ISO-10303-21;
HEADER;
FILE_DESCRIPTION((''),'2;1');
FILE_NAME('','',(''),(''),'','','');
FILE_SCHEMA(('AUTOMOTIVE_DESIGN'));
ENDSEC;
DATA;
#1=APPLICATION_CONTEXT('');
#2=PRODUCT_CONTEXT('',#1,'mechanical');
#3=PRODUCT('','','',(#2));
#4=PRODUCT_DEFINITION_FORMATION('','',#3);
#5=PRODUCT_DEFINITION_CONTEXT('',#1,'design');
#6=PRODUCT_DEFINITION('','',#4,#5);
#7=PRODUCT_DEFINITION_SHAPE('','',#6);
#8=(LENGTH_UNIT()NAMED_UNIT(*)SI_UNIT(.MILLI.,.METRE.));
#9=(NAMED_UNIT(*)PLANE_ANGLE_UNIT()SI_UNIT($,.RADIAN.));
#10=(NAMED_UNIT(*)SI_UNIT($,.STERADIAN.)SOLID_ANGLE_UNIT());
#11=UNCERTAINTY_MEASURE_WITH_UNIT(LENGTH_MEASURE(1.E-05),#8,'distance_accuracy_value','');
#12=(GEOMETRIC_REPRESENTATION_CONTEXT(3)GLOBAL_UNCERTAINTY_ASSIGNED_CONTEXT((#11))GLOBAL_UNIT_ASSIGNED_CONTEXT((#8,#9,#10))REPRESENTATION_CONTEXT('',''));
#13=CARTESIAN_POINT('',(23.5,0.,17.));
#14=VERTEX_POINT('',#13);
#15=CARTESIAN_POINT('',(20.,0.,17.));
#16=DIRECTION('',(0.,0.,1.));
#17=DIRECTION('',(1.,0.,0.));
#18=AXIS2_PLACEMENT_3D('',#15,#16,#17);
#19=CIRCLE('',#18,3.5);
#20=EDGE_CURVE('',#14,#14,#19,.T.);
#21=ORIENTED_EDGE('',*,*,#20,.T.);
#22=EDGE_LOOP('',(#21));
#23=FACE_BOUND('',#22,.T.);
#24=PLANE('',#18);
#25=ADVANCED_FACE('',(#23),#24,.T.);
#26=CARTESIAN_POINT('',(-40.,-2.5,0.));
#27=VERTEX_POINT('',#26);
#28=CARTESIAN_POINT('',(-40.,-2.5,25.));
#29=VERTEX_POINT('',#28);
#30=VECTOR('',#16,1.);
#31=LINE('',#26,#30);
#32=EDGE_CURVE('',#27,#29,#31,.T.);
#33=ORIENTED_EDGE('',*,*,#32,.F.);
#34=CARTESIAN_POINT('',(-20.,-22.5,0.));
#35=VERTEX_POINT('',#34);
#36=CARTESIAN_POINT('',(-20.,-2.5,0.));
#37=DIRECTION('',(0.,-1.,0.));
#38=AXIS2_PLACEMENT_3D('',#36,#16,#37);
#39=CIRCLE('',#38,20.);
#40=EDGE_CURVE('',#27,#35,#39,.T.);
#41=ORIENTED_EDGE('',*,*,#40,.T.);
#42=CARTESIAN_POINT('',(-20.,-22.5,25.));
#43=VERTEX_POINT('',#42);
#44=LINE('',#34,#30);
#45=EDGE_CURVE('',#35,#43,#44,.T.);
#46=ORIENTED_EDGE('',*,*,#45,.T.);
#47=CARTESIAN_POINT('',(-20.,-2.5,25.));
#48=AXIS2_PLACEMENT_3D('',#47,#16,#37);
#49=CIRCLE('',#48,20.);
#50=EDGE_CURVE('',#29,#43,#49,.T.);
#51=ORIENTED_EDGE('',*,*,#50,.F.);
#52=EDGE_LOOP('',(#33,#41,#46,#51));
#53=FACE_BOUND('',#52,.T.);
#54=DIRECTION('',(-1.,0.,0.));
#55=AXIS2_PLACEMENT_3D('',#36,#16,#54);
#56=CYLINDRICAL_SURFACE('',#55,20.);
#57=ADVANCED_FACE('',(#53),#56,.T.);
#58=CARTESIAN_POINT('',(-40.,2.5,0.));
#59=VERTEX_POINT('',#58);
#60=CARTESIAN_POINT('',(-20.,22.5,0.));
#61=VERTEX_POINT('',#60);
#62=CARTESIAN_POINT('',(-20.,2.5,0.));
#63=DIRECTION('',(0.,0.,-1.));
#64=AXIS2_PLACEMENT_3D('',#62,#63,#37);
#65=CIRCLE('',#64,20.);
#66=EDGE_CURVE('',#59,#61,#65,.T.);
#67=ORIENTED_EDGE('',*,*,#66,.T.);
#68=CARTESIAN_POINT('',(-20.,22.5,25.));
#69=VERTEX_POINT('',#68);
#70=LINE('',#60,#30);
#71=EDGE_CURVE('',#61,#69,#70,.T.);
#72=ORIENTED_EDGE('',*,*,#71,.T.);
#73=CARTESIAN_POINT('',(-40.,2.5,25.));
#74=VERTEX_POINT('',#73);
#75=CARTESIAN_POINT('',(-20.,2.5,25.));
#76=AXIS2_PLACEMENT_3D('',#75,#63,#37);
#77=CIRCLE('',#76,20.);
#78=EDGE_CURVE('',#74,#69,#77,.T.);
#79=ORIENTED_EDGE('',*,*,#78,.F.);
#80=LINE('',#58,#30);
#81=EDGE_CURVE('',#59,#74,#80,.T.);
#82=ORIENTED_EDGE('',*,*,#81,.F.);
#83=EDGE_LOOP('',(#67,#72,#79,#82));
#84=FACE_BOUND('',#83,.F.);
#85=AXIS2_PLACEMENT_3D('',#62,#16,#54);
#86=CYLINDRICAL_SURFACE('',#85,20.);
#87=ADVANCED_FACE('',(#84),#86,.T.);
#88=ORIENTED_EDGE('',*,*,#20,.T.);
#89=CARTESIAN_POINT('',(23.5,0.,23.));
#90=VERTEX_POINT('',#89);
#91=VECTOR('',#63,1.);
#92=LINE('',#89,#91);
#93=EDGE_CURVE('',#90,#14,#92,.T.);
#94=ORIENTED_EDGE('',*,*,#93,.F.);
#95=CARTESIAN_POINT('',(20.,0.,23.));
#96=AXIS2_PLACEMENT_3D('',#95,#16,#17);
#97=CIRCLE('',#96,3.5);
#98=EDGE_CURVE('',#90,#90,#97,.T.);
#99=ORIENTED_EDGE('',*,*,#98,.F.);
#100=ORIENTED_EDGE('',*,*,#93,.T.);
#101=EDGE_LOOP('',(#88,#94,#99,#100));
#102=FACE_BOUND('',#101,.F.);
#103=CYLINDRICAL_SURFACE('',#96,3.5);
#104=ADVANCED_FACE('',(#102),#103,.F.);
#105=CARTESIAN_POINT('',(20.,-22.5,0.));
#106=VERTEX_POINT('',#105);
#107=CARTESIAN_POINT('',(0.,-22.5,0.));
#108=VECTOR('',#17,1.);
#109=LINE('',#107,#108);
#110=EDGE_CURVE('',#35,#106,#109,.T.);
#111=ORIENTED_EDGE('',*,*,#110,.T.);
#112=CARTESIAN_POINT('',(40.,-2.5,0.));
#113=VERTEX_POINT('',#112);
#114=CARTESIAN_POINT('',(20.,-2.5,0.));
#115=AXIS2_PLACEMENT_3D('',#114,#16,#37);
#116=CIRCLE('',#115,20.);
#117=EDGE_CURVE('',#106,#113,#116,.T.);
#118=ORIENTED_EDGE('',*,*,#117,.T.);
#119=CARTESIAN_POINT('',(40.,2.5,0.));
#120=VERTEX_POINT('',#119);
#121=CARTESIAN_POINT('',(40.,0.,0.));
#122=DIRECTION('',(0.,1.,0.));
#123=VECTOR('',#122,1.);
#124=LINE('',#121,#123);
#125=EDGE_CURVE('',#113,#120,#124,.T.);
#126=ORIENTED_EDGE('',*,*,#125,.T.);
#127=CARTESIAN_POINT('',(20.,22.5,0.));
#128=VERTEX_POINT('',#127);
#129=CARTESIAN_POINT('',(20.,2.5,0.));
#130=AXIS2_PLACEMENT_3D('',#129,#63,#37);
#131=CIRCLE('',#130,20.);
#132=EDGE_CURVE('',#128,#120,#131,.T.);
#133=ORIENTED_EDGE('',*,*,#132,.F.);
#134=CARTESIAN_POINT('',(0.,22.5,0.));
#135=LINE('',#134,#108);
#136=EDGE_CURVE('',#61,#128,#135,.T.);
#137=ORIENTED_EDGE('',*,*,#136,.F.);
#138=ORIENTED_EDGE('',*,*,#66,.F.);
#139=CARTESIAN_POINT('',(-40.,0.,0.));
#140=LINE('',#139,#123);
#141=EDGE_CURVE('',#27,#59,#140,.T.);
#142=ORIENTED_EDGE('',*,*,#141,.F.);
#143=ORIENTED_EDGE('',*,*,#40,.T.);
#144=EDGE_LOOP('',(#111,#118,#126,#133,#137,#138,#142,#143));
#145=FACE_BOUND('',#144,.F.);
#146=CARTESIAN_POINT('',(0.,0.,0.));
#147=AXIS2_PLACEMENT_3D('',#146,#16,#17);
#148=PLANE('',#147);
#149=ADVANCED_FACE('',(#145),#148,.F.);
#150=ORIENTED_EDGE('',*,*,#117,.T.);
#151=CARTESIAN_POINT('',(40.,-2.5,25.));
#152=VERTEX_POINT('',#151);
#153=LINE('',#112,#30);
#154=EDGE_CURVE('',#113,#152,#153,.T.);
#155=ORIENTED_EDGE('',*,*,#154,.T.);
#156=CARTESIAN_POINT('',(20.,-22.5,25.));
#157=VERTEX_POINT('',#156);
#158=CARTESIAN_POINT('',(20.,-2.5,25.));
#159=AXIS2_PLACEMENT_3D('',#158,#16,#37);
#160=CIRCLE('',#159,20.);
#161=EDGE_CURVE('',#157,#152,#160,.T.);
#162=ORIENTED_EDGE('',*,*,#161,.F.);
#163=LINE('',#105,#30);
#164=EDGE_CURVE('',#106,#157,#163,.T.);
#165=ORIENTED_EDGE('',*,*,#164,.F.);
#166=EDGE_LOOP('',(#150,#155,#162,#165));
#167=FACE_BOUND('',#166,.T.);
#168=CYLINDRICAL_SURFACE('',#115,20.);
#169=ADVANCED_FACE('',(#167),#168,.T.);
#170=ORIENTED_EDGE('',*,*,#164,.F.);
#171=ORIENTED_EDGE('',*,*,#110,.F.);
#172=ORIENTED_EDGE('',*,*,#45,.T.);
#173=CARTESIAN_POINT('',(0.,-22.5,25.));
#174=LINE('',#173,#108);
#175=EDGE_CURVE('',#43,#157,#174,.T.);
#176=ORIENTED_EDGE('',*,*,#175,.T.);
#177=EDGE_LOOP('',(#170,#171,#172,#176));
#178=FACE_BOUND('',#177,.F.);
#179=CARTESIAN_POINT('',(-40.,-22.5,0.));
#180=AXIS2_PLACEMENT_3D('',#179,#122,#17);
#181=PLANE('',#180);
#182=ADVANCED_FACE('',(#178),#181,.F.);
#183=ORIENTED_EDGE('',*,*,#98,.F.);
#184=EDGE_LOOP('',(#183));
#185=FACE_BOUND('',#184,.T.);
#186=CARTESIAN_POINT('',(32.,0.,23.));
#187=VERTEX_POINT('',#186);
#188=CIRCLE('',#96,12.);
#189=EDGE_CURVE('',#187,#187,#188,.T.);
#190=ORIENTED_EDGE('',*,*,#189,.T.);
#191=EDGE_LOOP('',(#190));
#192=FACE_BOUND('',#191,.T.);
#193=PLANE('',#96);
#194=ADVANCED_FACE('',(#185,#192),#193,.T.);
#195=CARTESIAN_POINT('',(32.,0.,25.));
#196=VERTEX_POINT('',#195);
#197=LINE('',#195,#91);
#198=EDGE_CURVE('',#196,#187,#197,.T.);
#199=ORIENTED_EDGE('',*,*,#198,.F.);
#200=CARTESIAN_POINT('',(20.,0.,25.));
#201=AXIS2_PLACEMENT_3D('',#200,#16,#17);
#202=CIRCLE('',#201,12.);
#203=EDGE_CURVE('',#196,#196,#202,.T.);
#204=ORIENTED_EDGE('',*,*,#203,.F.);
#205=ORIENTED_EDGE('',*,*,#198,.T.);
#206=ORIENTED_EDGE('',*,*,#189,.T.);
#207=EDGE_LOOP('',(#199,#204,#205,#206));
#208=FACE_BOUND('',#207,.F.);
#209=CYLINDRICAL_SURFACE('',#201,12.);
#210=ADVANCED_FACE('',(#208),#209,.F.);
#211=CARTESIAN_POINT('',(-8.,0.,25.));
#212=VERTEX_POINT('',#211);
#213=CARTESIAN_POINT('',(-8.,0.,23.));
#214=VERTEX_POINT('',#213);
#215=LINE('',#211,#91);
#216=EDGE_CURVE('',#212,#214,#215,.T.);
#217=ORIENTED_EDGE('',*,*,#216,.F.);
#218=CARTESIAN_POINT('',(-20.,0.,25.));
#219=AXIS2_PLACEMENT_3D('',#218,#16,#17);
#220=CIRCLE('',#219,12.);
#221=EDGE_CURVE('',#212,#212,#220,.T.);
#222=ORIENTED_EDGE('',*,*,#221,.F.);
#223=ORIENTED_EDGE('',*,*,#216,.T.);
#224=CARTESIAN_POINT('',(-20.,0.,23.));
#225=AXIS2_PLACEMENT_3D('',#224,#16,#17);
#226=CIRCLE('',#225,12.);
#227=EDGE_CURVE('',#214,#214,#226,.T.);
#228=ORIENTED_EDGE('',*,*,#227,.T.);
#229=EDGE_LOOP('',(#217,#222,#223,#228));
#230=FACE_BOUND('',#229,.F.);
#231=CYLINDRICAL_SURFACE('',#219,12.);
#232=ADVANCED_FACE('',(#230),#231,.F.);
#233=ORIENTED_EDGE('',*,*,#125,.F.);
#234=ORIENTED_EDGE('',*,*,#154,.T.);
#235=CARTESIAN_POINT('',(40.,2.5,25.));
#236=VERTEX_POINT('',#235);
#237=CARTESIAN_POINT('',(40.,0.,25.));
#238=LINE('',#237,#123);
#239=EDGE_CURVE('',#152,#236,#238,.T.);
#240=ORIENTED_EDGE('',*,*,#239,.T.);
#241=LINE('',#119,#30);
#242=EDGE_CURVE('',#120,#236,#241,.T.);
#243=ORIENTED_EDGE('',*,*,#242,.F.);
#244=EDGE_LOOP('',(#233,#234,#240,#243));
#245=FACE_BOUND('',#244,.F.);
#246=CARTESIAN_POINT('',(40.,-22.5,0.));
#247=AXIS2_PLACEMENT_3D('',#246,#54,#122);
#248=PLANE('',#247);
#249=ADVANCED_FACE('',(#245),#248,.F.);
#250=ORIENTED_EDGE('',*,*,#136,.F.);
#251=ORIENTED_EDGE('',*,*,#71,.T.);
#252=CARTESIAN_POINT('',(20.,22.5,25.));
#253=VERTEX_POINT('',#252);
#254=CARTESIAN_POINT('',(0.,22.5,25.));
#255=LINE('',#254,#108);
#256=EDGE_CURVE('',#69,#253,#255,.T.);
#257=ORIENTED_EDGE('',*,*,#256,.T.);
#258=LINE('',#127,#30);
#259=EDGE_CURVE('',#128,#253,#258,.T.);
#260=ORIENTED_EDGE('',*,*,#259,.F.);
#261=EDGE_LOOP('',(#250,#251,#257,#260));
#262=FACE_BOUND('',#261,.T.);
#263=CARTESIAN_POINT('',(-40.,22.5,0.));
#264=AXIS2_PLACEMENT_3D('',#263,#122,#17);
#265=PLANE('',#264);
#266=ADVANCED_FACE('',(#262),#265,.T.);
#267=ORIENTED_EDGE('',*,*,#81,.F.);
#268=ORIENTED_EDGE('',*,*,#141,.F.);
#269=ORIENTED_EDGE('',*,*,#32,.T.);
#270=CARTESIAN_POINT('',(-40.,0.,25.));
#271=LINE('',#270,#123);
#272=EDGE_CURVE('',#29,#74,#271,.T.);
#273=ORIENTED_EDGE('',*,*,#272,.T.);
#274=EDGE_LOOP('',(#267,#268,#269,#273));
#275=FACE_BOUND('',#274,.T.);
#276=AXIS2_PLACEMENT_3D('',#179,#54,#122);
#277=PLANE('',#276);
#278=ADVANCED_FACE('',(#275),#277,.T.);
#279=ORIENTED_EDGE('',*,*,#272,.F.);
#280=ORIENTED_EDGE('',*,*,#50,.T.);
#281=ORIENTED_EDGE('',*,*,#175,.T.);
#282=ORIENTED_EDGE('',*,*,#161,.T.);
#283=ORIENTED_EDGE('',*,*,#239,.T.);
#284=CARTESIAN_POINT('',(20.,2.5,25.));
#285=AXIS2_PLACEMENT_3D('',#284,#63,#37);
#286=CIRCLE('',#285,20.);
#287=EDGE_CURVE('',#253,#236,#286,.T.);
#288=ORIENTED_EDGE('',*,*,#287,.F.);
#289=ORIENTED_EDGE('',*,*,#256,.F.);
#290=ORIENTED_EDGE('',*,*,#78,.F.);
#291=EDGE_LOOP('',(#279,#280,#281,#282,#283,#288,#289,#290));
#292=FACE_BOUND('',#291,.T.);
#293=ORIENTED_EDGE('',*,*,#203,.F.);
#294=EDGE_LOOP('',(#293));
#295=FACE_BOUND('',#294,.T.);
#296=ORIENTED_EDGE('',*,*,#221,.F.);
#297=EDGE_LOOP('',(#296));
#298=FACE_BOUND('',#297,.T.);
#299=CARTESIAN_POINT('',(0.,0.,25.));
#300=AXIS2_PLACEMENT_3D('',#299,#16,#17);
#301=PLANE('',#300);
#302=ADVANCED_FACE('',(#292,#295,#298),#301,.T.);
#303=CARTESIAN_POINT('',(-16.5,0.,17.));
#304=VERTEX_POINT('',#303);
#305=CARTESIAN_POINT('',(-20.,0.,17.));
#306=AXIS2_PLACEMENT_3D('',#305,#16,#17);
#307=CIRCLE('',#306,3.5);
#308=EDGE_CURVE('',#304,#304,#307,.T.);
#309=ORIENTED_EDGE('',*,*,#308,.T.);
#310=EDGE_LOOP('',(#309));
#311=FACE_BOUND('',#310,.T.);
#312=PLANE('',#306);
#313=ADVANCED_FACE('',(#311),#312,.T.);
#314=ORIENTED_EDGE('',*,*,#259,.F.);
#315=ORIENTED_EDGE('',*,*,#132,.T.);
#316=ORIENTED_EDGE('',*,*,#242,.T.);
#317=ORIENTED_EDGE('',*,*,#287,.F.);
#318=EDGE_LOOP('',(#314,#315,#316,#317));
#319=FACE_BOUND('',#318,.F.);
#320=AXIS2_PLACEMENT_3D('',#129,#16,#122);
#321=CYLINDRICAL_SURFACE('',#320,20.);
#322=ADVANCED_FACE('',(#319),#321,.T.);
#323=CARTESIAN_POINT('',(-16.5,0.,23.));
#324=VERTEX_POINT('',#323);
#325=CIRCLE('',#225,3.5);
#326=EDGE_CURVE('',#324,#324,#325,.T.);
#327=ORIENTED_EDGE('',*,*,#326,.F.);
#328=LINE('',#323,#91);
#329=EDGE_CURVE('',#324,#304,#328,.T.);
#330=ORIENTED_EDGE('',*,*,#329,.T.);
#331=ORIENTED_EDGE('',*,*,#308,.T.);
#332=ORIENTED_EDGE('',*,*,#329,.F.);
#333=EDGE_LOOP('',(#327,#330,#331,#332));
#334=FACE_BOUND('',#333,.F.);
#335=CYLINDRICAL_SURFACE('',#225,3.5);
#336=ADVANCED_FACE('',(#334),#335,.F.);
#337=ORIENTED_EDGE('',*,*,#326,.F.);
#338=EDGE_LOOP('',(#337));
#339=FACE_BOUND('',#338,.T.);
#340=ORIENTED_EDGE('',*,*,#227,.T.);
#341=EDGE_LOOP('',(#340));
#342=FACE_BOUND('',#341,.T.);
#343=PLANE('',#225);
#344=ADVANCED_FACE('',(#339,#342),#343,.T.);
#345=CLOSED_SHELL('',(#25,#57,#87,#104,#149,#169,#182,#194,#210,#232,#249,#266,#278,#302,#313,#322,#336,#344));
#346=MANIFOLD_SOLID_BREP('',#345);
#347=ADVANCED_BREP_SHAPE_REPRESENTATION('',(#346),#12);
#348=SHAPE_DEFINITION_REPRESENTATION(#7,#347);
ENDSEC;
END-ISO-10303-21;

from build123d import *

# Parameters (mm, degrees)
F0_W     = 80
F0_H     = 45
F1_DEPTH = 25
F2_R     = 12
F3_DEPTH = 2
F4_R     = 3.5
F5_DEPTH = 6
F6_R     = 20


with BuildPart() as f1:
    # F0 (on Top) → F1 (new body)
    with BuildSketch(Plane.XY):
        Rectangle(F0_W, F0_H)
    extrude(amount=F1_DEPTH)

    # F2 (on face) → F3 (cut)
    with BuildSketch(Plane.XY.offset(25)):
        with Locations((-20, 0)):
            Circle(F2_R)
        with Locations((20, 0)):
            Circle(F2_R)
    extrude(amount=-F3_DEPTH, mode=Mode.SUBTRACT)

    # F4 (on face) → F5 (cut)
    with BuildSketch(Plane.XY.offset(23)):
        with Locations((-20, 0)):
            Circle(F4_R)
        with Locations((20, 0)):
            Circle(F4_R)
    extrude(amount=-F5_DEPTH, mode=Mode.SUBTRACT)

    # F6
    f6_edges = [f1.edges().sort_by_distance(p)[0] for p in [
        (-40, -22.5, 12.5),
        (-40, 22.5, 12.5),
        (40, -22.5, 12.5),
        (40, 22.5, 12.5),
    ]]
    fillet(f6_edges, radius=F6_R)


solid = f1.part
